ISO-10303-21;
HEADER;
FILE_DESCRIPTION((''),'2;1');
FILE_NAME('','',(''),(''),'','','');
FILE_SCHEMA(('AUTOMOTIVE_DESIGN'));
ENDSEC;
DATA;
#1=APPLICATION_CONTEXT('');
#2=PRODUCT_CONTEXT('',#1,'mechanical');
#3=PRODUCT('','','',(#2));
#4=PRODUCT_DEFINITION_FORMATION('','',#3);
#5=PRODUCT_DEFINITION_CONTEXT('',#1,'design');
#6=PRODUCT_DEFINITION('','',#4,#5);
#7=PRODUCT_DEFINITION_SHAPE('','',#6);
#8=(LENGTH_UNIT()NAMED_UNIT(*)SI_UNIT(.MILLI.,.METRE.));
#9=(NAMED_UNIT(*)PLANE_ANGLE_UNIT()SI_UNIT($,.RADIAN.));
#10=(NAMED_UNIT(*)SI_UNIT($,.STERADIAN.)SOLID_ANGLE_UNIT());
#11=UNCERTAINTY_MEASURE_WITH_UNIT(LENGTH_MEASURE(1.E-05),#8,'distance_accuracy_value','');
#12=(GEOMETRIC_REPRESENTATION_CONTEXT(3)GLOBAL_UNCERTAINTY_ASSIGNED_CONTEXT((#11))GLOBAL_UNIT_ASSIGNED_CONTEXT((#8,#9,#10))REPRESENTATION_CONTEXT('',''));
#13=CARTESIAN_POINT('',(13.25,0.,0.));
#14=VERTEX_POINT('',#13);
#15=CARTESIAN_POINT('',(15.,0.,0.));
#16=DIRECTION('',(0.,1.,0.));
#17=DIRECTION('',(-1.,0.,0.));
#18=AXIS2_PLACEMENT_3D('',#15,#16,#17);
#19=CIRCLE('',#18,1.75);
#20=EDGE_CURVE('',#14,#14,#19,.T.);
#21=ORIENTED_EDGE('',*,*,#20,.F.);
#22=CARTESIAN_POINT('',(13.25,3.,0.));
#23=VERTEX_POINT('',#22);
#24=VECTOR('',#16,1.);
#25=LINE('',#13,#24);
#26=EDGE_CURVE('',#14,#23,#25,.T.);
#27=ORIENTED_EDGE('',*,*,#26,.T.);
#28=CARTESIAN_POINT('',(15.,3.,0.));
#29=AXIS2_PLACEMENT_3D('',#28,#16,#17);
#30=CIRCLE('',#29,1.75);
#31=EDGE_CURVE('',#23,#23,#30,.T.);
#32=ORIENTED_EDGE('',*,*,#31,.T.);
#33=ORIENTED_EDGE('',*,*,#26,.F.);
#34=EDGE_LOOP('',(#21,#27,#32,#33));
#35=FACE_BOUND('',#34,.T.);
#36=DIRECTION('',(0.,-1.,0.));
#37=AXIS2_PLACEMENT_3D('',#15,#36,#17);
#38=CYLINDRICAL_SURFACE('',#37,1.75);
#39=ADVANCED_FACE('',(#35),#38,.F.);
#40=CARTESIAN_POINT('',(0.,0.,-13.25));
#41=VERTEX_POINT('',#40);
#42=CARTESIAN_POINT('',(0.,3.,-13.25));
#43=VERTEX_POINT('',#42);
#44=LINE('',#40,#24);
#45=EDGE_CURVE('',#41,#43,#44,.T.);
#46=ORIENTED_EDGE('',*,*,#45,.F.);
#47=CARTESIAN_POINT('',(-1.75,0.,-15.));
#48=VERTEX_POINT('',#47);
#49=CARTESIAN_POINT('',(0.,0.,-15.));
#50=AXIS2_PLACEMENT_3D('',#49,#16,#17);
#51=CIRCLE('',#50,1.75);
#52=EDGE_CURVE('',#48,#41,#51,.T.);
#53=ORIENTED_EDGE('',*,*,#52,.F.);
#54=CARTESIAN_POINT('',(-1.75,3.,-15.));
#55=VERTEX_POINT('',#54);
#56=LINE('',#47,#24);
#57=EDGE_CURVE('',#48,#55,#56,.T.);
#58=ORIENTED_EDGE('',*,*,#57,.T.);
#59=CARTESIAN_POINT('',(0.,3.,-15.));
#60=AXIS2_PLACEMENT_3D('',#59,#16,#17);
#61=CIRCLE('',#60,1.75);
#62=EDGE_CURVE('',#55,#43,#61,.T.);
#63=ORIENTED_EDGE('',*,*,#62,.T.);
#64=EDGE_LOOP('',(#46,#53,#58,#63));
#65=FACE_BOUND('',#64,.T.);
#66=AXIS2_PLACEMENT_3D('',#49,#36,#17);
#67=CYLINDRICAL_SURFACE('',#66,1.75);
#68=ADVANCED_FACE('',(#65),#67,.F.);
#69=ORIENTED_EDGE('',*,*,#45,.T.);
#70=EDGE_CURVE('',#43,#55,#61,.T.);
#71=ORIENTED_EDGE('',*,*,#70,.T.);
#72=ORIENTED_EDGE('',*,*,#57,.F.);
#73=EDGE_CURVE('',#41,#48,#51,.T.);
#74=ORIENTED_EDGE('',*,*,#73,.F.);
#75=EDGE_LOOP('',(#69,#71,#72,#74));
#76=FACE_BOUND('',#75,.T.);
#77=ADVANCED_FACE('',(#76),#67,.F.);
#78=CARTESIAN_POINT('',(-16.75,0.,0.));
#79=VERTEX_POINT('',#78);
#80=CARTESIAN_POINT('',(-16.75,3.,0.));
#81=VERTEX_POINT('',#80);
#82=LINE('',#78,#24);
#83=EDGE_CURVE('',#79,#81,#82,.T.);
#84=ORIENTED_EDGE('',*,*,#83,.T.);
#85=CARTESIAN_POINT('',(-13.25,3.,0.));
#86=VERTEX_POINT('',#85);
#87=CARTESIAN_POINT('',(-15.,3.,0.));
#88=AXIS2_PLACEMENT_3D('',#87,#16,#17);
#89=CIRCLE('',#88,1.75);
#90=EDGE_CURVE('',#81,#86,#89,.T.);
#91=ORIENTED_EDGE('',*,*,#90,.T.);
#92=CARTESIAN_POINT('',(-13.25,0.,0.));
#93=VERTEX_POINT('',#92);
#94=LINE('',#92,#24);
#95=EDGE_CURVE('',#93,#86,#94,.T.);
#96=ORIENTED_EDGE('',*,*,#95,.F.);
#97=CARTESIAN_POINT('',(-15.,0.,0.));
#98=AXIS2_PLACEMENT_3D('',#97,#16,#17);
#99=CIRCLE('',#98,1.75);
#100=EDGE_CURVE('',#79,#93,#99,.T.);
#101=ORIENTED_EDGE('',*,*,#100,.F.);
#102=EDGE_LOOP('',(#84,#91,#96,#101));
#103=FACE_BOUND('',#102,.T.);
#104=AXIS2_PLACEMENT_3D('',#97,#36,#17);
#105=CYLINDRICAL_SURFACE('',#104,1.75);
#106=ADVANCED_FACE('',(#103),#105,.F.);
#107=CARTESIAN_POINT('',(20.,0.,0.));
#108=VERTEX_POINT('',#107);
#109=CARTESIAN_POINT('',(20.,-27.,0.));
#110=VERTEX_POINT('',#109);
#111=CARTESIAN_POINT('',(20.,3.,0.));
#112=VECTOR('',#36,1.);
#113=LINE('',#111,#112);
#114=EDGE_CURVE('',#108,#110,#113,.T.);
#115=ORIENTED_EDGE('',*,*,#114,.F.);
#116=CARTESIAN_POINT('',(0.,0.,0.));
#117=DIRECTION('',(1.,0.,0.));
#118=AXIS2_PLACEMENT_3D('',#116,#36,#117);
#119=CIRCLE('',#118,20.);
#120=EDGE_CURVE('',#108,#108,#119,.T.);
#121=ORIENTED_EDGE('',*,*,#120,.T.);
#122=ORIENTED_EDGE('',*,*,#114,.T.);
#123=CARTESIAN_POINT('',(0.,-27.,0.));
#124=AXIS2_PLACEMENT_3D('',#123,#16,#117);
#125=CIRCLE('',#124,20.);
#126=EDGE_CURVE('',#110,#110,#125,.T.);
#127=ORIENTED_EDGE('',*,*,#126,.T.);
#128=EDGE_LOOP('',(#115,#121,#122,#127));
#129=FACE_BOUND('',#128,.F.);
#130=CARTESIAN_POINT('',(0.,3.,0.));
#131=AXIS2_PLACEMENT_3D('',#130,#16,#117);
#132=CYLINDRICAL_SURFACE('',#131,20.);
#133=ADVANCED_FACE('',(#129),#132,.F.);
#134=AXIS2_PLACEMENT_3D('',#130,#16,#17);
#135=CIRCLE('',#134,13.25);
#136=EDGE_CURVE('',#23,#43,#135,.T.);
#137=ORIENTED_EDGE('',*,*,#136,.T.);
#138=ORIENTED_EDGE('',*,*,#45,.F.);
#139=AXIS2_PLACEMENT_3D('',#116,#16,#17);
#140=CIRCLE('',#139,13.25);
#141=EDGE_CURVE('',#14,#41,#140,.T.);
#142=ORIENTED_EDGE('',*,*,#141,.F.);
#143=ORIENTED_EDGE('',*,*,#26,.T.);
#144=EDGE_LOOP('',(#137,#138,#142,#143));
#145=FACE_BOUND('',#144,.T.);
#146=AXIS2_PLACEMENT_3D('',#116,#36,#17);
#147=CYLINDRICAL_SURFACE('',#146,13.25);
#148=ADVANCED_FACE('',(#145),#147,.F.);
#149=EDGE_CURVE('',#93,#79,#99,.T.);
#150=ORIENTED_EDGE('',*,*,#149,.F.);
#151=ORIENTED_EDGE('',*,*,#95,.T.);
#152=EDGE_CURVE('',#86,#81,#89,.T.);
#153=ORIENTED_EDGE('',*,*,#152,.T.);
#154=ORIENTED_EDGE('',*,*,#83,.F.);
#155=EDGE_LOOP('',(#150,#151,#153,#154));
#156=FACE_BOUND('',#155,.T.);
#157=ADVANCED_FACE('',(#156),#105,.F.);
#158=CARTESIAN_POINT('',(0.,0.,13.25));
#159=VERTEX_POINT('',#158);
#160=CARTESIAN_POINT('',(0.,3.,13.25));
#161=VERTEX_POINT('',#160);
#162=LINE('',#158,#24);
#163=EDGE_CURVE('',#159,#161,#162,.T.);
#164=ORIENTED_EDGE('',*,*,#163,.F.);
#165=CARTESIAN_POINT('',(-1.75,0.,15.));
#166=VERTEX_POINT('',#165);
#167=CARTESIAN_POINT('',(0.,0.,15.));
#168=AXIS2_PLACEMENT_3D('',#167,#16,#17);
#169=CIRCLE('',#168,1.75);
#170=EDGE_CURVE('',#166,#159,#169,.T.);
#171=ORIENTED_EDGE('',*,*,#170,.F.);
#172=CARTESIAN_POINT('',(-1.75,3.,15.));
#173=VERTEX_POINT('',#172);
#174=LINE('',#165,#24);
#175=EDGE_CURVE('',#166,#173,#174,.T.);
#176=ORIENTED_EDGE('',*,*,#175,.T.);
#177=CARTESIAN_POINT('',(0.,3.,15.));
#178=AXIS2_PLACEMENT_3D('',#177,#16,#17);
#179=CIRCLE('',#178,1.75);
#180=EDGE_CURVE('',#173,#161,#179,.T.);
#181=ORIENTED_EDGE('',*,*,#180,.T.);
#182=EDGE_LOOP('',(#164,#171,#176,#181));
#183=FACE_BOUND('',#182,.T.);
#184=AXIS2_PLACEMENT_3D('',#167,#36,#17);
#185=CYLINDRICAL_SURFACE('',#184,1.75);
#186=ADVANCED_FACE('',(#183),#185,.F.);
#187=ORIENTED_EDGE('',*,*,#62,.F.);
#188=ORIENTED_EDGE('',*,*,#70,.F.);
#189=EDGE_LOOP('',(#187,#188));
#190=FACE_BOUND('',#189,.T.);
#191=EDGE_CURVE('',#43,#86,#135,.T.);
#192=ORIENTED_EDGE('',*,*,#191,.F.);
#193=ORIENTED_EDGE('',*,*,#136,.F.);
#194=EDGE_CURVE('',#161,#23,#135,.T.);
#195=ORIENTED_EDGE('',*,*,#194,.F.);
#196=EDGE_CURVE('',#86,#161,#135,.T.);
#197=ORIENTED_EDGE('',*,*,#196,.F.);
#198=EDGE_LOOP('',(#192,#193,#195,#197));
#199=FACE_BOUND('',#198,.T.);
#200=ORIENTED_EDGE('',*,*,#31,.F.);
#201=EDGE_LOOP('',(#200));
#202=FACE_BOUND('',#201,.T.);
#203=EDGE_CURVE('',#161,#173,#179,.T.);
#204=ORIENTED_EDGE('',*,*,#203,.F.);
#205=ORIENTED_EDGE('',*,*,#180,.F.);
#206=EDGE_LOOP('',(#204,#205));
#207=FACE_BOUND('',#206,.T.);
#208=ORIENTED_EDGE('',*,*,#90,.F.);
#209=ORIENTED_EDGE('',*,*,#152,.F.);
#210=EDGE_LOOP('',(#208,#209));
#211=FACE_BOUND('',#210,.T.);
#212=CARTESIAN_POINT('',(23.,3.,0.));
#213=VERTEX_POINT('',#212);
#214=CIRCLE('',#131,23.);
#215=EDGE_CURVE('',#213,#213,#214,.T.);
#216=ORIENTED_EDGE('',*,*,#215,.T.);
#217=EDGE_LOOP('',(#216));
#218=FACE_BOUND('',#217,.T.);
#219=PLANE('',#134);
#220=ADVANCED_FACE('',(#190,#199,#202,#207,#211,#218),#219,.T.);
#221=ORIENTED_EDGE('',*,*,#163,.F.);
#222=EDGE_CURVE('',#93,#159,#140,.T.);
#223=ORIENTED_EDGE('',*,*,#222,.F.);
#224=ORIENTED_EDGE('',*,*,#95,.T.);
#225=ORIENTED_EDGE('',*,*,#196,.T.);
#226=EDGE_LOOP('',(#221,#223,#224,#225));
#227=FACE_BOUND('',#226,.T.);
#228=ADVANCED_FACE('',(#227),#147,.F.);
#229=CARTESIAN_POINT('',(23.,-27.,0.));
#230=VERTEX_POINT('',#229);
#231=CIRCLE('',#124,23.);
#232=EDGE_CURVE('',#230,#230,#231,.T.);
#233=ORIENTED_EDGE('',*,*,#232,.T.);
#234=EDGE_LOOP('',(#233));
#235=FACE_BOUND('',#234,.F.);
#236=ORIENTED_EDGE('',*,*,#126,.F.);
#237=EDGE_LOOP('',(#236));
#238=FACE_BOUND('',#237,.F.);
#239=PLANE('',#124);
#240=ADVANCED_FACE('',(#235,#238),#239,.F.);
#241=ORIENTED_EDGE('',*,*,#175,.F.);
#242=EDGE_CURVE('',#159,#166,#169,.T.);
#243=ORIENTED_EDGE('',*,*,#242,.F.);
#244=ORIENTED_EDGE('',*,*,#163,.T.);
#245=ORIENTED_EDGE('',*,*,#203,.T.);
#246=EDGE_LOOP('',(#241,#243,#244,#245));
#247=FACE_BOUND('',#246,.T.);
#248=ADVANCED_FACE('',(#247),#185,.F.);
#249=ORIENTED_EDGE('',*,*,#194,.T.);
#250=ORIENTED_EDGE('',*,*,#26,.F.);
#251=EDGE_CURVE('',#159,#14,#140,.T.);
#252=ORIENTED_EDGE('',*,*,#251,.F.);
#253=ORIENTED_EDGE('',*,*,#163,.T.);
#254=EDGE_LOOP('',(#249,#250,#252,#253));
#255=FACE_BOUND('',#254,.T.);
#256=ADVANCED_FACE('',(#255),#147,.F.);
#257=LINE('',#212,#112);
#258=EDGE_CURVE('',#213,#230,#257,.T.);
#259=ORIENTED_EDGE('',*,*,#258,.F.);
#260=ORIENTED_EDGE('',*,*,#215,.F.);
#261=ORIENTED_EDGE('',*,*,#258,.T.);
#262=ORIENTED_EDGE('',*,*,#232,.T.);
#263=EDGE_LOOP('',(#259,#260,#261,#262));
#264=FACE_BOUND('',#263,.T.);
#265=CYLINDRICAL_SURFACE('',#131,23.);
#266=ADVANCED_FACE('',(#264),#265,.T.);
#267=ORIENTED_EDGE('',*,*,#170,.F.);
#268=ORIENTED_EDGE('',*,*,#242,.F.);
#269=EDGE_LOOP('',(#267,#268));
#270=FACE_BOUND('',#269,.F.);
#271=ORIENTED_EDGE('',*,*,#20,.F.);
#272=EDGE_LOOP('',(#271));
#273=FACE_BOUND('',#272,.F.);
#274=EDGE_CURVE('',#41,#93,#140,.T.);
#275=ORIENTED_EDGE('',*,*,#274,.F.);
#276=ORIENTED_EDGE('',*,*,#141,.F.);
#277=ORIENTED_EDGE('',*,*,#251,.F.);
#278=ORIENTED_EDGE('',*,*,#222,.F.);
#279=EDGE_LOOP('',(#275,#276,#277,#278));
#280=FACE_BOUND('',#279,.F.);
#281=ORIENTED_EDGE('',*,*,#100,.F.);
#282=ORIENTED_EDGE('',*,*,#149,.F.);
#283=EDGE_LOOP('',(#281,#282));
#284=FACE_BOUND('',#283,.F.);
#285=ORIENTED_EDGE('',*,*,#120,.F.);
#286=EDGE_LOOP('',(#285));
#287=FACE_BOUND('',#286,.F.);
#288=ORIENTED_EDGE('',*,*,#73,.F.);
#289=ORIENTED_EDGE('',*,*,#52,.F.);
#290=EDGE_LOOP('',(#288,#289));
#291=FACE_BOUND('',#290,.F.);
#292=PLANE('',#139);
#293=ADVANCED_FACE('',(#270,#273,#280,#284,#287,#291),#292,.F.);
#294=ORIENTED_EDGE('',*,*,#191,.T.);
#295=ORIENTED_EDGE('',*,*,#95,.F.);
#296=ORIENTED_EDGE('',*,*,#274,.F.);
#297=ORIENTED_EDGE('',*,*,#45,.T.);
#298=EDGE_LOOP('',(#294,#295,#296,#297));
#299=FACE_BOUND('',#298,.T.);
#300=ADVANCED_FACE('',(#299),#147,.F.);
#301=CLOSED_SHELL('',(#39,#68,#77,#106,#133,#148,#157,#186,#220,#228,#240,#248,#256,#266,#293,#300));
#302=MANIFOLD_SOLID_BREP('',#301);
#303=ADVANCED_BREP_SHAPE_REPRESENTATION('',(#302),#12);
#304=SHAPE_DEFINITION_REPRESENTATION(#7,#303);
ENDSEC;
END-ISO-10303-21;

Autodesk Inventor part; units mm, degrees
ref_plane "YZ Plane" through (0, 0, 0) normal (1, 0, 0) x (0, 1, 0)
ref_plane "XZ Plane" through (0, 0, 0) normal (0, 1, 0) x (-1, 0, 0)
ref_plane "XY Plane" through (0, 0, 0) normal (0, 0, 1) x (1, 0, 0)
sketch "Sketch1" plane through (0, 0, 0) normal (0, 1, 0) x (-1, 0, 0)
  circle A0 centre (0, 0) radius 20
  circle A1 centre (0, 0) radius 15 construction
  circle A2 centre (0, -15) radius 1.75
  circle A3 centre (-15, 0) radius 1.75
  circle A4 centre (0, 15) radius 1.75
  circle A5 centre (15, 0) radius 1.75
  circle A6 centre (0, 0) radius 13.25
  point P0 (0, -13.25)
  point P1 (-13.25, 0)
  point P2 (0, 13.25)
  point P3 (13.25, 0)
  dimension "d0" = 40
  dimension "d1" = 30
  dimension "d2" = 3.5
  dimension "d3" = 3.5
  dimension "d4" = 3.5
  dimension "d5" = 3.5
extrude "Extrusion1" add sketch "Sketch1" along normal blind 3
sketch "Sketch2" plane through (0, 3, 0) normal (0, 1, 0) x (1, 0, 0)
  circle A0 centre (0, 0) radius 20
  circle A1 centre (0, 0) radius 23
  dimension "d8" = 46
extrude "Extrusion2" add sketch "Sketch2" against normal blind 30
properties part number "ColourSensor Scope"
